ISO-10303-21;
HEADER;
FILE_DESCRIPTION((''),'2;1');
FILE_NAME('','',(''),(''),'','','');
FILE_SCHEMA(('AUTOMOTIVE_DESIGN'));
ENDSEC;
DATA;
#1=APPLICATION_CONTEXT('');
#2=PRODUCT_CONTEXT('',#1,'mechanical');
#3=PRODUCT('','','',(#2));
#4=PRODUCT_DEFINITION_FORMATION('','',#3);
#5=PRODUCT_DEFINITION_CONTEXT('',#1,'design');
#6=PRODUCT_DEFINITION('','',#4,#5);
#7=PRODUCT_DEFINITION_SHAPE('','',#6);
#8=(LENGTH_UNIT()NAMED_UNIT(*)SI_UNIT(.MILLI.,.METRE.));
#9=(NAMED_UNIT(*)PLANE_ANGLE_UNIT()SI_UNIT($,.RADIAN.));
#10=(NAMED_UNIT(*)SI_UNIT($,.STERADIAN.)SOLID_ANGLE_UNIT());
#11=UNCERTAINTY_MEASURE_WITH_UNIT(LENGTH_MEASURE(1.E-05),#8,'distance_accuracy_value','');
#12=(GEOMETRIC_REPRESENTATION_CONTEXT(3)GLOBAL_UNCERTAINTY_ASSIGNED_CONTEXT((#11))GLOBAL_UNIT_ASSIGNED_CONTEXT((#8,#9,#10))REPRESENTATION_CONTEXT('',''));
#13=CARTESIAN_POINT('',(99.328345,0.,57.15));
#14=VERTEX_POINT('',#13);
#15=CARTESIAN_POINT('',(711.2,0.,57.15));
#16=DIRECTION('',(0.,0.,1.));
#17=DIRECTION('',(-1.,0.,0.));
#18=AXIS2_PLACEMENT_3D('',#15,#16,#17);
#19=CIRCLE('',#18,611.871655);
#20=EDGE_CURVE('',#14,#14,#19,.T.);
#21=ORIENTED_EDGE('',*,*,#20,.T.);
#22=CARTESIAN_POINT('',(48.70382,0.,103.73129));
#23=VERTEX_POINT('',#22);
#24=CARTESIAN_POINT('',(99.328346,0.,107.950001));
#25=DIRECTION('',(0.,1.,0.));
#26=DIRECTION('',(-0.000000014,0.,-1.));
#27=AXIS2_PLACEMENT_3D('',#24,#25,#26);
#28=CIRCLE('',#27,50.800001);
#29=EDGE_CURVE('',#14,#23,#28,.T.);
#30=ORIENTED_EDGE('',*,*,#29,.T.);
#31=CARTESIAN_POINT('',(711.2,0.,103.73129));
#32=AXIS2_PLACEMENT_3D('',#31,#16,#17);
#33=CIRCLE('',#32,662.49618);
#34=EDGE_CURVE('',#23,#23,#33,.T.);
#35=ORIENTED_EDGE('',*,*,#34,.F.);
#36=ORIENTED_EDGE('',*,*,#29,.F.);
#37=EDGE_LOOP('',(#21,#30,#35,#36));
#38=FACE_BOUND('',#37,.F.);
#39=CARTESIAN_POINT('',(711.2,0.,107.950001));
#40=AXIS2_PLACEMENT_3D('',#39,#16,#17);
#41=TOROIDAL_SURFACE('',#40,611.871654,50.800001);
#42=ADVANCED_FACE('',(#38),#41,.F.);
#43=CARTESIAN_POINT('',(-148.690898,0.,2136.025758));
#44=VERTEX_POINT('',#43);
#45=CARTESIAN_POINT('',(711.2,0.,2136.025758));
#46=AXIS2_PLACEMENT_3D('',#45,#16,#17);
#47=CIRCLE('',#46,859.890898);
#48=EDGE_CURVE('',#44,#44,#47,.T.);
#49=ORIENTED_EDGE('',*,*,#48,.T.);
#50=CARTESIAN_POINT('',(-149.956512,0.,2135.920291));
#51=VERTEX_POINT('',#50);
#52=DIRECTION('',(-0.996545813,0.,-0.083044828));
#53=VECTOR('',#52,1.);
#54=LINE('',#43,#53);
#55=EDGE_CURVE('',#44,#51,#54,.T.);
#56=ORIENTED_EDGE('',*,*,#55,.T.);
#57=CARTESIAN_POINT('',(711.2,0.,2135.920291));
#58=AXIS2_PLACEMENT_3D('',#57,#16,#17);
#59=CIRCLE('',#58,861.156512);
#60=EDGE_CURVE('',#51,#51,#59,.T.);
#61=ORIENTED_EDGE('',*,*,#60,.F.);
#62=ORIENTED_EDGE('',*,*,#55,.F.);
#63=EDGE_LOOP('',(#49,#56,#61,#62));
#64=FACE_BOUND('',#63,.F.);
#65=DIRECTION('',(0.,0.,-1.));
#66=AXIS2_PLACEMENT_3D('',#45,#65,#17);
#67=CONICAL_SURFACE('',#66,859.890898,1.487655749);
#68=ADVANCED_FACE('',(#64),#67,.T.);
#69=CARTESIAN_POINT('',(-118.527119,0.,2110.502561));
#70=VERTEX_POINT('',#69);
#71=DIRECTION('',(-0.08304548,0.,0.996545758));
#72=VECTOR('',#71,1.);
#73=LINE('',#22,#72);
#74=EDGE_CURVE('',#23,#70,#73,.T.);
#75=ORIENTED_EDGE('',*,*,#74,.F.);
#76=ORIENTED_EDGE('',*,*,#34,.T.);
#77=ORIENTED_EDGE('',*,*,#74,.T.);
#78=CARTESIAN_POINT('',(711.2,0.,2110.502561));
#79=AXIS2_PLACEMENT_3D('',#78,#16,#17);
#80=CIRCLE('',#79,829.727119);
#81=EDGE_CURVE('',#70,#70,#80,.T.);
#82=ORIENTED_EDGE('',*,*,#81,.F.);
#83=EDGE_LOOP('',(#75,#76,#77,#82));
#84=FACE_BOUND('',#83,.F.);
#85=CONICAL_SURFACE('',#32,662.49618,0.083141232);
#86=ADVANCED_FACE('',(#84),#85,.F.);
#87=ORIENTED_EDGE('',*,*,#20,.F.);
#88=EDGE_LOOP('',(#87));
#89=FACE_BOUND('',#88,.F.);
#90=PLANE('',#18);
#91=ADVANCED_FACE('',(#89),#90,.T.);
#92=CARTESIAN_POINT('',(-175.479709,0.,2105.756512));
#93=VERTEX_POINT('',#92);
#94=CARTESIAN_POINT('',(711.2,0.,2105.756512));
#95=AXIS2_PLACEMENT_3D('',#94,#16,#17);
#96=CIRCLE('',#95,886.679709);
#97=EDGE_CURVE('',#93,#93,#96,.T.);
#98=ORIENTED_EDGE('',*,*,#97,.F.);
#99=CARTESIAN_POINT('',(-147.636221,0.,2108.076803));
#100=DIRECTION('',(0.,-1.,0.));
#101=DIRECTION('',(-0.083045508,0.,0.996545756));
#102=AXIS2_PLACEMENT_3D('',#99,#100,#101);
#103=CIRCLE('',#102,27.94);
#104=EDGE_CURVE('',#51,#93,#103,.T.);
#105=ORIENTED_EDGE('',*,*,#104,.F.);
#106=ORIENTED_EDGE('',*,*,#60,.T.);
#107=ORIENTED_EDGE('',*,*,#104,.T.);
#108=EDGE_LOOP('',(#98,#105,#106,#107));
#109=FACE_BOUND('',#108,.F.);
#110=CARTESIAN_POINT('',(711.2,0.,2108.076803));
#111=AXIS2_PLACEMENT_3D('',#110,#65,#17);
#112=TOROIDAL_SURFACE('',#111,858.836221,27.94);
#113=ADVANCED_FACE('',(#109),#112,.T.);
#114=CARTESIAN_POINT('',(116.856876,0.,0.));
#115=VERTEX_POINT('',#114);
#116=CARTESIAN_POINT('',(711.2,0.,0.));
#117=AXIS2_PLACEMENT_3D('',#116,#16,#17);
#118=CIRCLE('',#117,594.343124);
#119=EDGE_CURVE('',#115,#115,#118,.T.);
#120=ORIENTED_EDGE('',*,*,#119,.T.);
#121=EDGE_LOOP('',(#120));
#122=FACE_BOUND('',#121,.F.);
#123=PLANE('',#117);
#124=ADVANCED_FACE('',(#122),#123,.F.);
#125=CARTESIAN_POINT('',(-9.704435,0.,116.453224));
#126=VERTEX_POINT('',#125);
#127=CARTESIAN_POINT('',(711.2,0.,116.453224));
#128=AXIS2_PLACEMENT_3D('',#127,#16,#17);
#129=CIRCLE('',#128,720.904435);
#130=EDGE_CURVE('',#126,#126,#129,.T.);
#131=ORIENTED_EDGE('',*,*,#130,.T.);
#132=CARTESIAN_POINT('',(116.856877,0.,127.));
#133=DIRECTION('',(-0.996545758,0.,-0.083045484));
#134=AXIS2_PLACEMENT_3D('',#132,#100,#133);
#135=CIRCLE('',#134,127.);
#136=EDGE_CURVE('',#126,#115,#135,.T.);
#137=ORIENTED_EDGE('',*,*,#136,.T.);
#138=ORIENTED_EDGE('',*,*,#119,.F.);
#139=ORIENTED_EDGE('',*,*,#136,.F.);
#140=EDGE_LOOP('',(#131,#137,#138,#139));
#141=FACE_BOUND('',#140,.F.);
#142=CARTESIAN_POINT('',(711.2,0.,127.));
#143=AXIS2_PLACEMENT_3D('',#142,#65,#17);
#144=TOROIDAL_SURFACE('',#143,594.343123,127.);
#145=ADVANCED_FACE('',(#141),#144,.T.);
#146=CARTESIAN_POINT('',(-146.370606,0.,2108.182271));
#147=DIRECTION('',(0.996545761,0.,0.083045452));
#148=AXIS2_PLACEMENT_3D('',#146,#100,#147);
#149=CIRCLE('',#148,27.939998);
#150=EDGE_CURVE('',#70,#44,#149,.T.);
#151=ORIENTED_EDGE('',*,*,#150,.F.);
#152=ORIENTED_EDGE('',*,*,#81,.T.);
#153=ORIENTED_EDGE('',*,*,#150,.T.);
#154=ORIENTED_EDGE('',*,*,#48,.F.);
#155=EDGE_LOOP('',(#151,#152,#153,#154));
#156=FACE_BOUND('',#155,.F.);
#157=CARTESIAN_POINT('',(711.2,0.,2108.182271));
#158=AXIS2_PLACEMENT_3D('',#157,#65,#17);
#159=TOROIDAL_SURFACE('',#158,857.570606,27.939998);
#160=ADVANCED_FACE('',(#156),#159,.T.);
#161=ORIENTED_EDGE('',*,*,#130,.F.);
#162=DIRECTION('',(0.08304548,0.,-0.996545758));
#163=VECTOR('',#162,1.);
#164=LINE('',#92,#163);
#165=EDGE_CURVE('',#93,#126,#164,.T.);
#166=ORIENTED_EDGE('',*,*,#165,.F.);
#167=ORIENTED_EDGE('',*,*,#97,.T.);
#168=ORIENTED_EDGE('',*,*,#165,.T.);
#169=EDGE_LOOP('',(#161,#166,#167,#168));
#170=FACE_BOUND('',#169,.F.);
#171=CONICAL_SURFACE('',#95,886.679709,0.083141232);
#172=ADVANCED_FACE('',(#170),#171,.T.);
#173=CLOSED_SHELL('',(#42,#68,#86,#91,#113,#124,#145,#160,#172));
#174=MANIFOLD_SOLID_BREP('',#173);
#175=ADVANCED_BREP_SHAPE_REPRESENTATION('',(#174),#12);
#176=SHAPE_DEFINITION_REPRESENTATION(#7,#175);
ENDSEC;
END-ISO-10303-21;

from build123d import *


with BuildPart() as f1:
    # F0 (on Front) → F1 (revolve)
    with BuildSketch(Plane.XZ):
        with BuildLine():
            ThreePointArc((-9.704435, 116.453224), (30.863971, 33.54295), (116.856876, 0))
            Line((116.856876, 0), (711.2, 0))
            Line((711.2, 0), (711.2, 57.15))
            Line((711.2, 57.15), (99.328345, 57.15))
            ThreePointArc((99.328345, 57.15), (64.931183, 70.56718), (48.70382, 103.73129))
            Line((48.70382, 103.73129), (-118.527119, 2110.502561))
            ThreePointArc((-118.527119, 2110.502561), (-128.322981, 2129.511283), (-148.690898, 2136.025758))
            Line((-148.690898, 2136.025758), (-149.956512, 2135.920291))
            ThreePointArc((-149.956512, 2135.920291), (-168.965234, 2126.124428), (-175.479709, 2105.756512))
            Line((-175.479709, 2105.756512), (-9.704435, 116.453224))
        make_face()
    revolve(axis=Axis((711.2, 0, 1066.8), (0, 0, 1)))


solid = f1.part
